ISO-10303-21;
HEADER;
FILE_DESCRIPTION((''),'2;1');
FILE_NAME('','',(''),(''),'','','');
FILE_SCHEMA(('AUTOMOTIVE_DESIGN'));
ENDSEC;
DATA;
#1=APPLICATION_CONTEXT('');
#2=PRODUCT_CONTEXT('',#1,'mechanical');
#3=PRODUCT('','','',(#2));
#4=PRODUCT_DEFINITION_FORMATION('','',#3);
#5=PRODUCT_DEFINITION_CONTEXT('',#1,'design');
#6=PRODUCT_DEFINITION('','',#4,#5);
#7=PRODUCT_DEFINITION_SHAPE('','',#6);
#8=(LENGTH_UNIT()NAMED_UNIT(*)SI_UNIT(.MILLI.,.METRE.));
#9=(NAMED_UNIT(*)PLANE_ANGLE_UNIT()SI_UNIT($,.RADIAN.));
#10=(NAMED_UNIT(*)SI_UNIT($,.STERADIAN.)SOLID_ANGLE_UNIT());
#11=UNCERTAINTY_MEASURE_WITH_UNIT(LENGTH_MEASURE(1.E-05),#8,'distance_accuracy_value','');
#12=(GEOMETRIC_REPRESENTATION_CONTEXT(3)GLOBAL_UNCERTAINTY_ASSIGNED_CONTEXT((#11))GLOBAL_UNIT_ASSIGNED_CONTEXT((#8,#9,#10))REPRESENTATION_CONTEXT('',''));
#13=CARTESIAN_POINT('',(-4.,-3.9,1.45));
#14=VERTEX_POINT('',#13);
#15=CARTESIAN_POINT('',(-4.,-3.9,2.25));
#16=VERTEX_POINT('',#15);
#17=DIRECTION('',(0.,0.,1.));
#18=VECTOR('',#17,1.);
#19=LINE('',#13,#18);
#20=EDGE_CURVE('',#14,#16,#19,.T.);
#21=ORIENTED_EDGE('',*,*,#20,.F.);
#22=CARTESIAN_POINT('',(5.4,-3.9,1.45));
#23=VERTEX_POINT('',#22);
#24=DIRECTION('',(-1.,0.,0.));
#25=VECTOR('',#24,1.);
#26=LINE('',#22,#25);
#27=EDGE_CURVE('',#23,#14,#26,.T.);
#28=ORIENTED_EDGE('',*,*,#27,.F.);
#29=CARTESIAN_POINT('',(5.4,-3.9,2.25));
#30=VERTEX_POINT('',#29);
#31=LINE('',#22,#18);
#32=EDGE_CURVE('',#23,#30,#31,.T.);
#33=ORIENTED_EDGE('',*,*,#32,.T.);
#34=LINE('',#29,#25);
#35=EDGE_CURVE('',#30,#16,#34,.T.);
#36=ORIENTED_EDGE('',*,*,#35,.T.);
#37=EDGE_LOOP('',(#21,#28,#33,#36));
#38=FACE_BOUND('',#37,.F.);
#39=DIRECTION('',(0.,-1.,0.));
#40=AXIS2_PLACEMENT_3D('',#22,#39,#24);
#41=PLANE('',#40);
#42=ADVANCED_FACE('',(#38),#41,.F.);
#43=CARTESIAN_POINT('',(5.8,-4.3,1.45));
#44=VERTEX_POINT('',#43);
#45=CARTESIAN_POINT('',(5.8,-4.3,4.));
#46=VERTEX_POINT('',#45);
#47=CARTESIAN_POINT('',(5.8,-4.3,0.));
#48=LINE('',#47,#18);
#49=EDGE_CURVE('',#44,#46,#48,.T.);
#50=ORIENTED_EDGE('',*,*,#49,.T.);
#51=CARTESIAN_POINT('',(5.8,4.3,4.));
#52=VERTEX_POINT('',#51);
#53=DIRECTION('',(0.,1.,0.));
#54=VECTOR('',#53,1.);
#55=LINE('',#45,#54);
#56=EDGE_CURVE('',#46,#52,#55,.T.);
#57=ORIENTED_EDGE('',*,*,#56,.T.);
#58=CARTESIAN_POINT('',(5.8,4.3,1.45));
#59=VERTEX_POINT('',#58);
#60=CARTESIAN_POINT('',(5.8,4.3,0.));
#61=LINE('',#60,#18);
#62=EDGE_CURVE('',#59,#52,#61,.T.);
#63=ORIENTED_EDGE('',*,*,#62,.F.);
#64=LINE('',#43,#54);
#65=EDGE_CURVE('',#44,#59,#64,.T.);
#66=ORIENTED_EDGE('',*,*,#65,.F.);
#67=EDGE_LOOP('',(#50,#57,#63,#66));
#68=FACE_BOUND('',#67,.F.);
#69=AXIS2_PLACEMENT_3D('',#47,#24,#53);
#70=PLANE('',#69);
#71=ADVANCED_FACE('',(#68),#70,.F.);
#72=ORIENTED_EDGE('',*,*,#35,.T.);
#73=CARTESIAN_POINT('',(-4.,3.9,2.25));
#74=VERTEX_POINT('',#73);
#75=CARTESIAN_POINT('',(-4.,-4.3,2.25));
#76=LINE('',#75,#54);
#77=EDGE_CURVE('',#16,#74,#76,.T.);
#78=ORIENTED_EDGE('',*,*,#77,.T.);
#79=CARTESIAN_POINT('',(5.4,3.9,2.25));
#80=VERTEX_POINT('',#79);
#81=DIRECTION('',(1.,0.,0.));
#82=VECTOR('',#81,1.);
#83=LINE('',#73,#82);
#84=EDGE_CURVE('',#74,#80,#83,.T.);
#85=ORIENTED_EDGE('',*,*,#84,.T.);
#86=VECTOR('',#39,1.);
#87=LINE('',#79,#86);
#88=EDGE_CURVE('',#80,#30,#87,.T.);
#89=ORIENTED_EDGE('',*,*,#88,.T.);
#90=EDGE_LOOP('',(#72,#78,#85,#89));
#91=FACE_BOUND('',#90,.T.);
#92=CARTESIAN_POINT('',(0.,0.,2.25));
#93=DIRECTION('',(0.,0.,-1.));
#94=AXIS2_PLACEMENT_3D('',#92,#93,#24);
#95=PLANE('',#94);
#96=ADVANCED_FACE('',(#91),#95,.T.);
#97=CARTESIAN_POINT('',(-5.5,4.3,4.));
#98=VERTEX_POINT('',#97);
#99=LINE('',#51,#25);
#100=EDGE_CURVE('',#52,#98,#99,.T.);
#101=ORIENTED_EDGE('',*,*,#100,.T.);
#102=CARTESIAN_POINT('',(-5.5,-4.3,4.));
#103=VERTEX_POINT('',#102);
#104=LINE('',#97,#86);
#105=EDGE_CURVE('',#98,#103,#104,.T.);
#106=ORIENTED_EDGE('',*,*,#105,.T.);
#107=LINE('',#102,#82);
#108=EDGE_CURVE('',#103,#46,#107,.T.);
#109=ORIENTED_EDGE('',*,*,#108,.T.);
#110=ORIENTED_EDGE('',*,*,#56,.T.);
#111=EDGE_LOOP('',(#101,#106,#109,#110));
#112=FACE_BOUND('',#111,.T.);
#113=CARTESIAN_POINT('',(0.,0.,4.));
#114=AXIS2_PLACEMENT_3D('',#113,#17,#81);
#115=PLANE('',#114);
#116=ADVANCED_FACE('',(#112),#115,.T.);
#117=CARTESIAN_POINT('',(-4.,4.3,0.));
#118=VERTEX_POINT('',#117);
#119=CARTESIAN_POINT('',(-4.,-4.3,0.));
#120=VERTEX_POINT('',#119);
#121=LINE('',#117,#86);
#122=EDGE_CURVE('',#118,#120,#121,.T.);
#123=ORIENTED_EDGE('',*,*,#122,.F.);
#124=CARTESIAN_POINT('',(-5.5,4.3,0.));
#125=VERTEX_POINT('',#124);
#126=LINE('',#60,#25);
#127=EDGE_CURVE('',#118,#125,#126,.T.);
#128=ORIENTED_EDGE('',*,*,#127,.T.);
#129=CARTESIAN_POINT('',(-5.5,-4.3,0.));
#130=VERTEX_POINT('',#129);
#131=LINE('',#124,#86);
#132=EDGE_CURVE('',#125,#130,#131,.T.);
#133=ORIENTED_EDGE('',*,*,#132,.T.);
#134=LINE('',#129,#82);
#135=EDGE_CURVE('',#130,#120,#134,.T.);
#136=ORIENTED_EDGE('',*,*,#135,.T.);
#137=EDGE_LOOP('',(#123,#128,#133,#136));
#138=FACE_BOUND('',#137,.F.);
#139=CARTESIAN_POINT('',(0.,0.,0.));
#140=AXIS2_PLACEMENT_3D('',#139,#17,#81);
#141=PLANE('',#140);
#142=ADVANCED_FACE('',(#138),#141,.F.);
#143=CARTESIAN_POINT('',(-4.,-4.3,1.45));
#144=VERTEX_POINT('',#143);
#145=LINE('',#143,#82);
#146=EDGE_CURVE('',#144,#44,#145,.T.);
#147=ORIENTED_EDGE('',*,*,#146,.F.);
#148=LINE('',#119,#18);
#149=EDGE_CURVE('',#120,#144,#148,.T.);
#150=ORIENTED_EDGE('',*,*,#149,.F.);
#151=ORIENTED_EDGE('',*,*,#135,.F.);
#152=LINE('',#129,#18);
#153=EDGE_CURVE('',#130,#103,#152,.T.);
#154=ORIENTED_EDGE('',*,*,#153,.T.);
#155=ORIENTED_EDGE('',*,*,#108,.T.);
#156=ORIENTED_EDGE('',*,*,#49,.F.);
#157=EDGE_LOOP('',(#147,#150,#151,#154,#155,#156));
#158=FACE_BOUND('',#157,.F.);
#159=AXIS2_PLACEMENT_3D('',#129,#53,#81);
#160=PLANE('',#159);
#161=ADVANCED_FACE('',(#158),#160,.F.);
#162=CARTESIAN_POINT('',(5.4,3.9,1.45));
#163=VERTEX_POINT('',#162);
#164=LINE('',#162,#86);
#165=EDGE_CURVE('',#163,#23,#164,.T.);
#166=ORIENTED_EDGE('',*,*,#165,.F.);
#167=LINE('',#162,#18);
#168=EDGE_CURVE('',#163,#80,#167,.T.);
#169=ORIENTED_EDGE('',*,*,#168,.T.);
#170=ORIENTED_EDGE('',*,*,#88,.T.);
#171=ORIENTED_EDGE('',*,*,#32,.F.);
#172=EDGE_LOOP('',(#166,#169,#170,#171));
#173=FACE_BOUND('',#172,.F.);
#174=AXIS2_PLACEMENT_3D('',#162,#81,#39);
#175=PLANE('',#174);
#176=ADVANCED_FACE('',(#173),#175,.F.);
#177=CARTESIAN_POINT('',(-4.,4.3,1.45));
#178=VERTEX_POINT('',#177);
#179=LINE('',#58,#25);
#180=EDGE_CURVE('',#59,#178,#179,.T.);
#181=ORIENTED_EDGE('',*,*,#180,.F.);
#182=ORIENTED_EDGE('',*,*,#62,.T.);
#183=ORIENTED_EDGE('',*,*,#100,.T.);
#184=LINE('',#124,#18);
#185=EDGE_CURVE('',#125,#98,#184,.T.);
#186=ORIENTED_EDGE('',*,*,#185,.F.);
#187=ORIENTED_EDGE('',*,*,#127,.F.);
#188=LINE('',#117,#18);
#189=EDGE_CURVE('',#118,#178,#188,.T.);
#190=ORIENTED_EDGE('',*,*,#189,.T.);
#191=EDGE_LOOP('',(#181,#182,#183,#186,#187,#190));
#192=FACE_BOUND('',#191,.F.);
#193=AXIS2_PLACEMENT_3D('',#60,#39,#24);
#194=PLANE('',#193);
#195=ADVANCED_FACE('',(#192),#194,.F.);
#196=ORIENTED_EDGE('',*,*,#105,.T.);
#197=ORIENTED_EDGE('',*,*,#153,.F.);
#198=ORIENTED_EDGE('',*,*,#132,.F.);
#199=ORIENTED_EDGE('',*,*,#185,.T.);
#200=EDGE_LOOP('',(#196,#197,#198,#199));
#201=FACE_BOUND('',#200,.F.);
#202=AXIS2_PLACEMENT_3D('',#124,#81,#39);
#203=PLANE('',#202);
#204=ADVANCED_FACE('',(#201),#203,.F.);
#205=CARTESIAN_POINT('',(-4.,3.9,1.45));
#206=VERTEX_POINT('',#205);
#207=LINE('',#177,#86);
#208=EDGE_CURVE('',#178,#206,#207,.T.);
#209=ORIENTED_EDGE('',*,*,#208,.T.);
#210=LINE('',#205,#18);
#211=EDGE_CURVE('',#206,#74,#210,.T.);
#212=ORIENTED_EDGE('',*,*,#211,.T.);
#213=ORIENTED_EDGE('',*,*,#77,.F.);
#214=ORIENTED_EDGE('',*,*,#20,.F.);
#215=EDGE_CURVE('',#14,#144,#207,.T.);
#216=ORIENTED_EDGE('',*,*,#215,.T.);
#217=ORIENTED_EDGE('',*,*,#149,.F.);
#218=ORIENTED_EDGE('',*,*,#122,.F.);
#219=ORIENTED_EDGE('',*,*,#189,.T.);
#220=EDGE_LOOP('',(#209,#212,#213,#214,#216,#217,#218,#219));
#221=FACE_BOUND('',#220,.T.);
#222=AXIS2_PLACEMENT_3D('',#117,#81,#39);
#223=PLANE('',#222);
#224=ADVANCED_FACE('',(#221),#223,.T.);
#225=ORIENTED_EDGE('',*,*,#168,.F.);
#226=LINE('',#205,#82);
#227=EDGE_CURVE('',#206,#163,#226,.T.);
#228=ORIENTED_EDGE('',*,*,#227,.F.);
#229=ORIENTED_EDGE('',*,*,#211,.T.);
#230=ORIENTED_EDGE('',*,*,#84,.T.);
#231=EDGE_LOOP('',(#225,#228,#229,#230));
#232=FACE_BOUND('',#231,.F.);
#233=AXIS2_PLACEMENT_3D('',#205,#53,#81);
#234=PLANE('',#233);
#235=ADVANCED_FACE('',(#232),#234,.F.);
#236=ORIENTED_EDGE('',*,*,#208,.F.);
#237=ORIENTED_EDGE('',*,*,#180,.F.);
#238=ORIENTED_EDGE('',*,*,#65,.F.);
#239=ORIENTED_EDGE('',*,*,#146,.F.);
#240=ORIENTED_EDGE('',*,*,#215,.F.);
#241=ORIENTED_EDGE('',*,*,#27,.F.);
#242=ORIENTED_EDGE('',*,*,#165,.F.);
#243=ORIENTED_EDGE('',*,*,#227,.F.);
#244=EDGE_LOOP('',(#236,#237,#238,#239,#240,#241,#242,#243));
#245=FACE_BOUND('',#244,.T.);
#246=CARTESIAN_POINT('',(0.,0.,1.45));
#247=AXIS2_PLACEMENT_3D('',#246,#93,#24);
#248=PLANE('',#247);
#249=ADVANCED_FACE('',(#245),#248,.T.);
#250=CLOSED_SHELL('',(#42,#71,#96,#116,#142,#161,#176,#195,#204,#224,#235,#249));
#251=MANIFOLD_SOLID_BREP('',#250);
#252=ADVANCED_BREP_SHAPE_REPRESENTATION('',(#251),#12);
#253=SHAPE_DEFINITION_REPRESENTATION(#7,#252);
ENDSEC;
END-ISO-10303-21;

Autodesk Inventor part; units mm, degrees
ref_plane "YZ Plane" through (0, 0, 0) normal (1, 0, 0) x (0, 1, 0)
ref_plane "XZ Plane" through (0, 0, 0) normal (0, 1, 0) x (-1, 0, 0)
ref_plane "XY Plane" through (0, 0, 0) normal (0, 0, 1) x (1, 0, 0)
sketch "Sketch1" plane through (0, 0, 0) normal (0, 0, 1) x (1, 0, 0)
  line L0 (0, 0) -> (5.8, 0) construction
  line L1 (5.8, 0) -> (5.8, 4.3) construction
  line L2 (5.8, 4.3) -> (0, 4.3) construction
  line L3 (0, 4.3) -> (0, 0) construction
  line L4 (5.8, 4.3) -> (-5.5, 4.3)
  line L5 (-5.5, 4.3) -> (-5.5, -4.3)
  line L6 (-5.5, -4.3) -> (5.8, -4.3)
  line L7 (5.8, -4.3) -> (5.8, 4.3)
  dimension "d0" = 5.8
  dimension "d1" = 4.3
  dimension "d2" = 11.3
  dimension "d3" = 8.6
extrude "Extrusion1" add sketch "Sketch1" along normal blind 4
sketch "Sketch2" plane through (0, 0, 0) normal (0, 0, -1) x (-1, 0, 0)
  line L0 (-5.8, 4.3) -> (5.5, 4.3) projected
  line L1 (5.5, -4.3) -> (4, -4.3) construction
  line L2 (4, -4.3) -> (4, 4.3) construction
  line L3 (4, 4.3) -> (5.5, 4.3) construction
  line L4 (5.5, 4.3) -> (5.5, -4.3) construction
  line L5 (4, -4.3) -> (-5.8, -4.3)
  line L6 (-5.8, -4.3) -> (-5.8, 4.3)
  line L7 (-5.8, 4.3) -> (4, 4.3)
  line L8 (4, 4.3) -> (4, -4.3)
  point P0 (0, 0)
  dimension "d6" = 1.5
extrude "Extrusion2" cut sketch "Sketch2" against normal blind 1.45
sketch "Sketch3" plane through (0, 0, 1.45) normal (0, 0, -1) x (-1, 0, 0)
  line L0 (4, -4.3) -> (4, 4.3) projected
  line L1 (-5.8, -4.3) -> (-5.4, -4.3) construction
  line L2 (-5.4, -4.3) -> (-5.4, -3.9) construction
  line L3 (-5.4, -3.9) -> (-5.8, -3.9) construction
  line L4 (-5.8, -3.9) -> (-5.8, -4.3) construction
  line L5 (-5.8, 4.3) -> (-5.4, 4.3) construction
  line L6 (-5.4, 4.3) -> (-5.4, 3.9) construction
  line L7 (-5.4, 3.9) -> (-5.8, 3.9) construction
  line L8 (-5.8, 3.9) -> (-5.8, 4.3) construction
  line L9 (-5.4, -3.9) -> (4, -3.9)
  line L10 (4, -3.9) -> (4, 3.9)
  line L11 (4, 3.9) -> (-5.4, 3.9)
  line L12 (-5.4, 3.9) -> (-5.4, -3.9)
  point P0 (0, 0)
  dimension "d9" = 0.4
  dimension "d10" = 0.4
  dimension "d11" = 0.4
  dimension "d12" = 0.4
extrude "Extrusion3" cut sketch "Sketch3" against normal blind 0.8
properties part number "lid_f"
